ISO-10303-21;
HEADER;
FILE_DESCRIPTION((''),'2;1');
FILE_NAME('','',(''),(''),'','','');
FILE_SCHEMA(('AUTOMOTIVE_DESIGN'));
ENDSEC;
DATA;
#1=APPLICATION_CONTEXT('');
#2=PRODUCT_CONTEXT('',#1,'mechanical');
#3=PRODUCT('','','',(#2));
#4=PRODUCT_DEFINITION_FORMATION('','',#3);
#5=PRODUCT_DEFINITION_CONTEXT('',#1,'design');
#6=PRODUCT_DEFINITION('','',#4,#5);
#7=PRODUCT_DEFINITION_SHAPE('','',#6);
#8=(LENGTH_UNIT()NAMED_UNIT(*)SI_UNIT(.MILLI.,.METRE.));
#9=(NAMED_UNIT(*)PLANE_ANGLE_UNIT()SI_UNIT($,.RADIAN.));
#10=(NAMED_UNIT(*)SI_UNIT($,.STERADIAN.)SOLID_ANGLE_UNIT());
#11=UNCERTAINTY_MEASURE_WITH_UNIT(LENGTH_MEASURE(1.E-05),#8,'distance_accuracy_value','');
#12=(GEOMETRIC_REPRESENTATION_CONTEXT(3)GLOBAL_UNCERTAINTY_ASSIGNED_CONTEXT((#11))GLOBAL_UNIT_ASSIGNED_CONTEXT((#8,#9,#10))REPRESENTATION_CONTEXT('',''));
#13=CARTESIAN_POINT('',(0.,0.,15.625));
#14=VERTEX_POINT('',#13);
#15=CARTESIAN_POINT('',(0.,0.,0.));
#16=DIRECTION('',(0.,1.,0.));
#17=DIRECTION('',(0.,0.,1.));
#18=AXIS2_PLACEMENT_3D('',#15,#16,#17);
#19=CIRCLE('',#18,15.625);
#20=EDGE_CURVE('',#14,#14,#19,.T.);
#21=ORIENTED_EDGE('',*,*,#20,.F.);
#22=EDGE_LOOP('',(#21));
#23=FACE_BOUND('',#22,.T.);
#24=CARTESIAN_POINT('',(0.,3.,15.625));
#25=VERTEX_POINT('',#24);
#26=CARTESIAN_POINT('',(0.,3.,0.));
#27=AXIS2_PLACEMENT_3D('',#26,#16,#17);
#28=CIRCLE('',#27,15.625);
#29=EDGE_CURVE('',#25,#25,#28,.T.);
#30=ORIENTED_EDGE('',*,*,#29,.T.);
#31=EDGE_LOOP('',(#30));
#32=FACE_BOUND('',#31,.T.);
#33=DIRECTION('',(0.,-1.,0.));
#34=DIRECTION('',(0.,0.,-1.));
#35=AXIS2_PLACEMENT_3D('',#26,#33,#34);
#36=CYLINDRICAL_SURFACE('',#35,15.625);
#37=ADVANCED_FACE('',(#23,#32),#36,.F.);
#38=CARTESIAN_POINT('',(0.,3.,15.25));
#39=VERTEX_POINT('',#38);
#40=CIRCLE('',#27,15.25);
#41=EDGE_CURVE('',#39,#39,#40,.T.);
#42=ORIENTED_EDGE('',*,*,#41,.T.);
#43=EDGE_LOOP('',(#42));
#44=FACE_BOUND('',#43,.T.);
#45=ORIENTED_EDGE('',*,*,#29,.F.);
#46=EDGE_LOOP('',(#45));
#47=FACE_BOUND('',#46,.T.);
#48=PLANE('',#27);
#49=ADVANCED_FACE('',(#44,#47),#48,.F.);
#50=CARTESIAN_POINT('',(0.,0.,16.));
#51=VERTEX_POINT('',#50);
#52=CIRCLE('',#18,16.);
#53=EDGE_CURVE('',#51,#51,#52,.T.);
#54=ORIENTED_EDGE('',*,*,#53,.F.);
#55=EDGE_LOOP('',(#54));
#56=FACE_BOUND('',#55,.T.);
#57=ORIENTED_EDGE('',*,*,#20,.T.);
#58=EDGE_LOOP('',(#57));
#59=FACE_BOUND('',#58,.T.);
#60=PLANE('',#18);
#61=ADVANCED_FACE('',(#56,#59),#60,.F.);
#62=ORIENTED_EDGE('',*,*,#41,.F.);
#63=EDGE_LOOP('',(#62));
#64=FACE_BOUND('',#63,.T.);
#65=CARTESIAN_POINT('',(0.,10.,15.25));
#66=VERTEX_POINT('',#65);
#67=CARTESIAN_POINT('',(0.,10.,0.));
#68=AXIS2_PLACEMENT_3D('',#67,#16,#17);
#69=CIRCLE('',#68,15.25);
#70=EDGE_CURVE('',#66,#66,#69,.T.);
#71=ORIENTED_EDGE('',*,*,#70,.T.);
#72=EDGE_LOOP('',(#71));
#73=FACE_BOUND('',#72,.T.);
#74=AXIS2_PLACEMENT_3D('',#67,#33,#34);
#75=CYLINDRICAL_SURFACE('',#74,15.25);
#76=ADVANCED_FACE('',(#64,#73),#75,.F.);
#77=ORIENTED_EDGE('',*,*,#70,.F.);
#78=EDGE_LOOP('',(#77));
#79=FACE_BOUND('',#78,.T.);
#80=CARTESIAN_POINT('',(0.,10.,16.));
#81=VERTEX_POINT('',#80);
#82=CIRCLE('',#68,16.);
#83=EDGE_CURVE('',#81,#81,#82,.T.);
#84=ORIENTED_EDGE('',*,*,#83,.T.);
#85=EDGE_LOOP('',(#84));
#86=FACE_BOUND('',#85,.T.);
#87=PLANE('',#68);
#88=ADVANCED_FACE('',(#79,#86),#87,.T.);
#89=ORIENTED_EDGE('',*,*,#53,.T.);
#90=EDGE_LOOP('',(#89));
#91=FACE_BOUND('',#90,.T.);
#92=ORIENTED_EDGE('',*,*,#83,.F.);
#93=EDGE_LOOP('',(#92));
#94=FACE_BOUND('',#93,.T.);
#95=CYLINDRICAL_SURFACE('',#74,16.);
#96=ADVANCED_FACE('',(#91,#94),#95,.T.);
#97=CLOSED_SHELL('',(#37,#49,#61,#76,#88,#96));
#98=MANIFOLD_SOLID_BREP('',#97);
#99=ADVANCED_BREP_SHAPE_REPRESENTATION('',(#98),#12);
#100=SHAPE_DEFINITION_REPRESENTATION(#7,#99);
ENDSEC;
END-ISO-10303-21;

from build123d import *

# Parameters (mm, degrees)
SKETCH1_R           = 16
SKETCH1_R_2         = 15.25
BOSS_EXTRUDE1_DEPTH = 10
SKETCH1_6_R         = 15.625
CUT_EXTRUDE1_DEPTH  = 3


with BuildPart() as part:
    # Sketch1 → Boss-Extrude1 (new body)
    with BuildSketch(Plane(origin=(0, 0, 0), x_dir=(1, 0, 0), z_dir=(0, 1, 0))):
        Circle(SKETCH1_R)
        Circle(SKETCH1_R_2, mode=Mode.SUBTRACT)
    extrude(amount=BOSS_EXTRUDE1_DEPTH)

    # Sketch1<6> → Cut-Extrude1 (cut)
    with BuildSketch(Plane(origin=(0, 0, 0), x_dir=(1, 0, 0), z_dir=(0, 1, 0))):
        Circle(SKETCH1_6_R)
    extrude(amount=CUT_EXTRUDE1_DEPTH, mode=Mode.SUBTRACT)


solid = part.part
